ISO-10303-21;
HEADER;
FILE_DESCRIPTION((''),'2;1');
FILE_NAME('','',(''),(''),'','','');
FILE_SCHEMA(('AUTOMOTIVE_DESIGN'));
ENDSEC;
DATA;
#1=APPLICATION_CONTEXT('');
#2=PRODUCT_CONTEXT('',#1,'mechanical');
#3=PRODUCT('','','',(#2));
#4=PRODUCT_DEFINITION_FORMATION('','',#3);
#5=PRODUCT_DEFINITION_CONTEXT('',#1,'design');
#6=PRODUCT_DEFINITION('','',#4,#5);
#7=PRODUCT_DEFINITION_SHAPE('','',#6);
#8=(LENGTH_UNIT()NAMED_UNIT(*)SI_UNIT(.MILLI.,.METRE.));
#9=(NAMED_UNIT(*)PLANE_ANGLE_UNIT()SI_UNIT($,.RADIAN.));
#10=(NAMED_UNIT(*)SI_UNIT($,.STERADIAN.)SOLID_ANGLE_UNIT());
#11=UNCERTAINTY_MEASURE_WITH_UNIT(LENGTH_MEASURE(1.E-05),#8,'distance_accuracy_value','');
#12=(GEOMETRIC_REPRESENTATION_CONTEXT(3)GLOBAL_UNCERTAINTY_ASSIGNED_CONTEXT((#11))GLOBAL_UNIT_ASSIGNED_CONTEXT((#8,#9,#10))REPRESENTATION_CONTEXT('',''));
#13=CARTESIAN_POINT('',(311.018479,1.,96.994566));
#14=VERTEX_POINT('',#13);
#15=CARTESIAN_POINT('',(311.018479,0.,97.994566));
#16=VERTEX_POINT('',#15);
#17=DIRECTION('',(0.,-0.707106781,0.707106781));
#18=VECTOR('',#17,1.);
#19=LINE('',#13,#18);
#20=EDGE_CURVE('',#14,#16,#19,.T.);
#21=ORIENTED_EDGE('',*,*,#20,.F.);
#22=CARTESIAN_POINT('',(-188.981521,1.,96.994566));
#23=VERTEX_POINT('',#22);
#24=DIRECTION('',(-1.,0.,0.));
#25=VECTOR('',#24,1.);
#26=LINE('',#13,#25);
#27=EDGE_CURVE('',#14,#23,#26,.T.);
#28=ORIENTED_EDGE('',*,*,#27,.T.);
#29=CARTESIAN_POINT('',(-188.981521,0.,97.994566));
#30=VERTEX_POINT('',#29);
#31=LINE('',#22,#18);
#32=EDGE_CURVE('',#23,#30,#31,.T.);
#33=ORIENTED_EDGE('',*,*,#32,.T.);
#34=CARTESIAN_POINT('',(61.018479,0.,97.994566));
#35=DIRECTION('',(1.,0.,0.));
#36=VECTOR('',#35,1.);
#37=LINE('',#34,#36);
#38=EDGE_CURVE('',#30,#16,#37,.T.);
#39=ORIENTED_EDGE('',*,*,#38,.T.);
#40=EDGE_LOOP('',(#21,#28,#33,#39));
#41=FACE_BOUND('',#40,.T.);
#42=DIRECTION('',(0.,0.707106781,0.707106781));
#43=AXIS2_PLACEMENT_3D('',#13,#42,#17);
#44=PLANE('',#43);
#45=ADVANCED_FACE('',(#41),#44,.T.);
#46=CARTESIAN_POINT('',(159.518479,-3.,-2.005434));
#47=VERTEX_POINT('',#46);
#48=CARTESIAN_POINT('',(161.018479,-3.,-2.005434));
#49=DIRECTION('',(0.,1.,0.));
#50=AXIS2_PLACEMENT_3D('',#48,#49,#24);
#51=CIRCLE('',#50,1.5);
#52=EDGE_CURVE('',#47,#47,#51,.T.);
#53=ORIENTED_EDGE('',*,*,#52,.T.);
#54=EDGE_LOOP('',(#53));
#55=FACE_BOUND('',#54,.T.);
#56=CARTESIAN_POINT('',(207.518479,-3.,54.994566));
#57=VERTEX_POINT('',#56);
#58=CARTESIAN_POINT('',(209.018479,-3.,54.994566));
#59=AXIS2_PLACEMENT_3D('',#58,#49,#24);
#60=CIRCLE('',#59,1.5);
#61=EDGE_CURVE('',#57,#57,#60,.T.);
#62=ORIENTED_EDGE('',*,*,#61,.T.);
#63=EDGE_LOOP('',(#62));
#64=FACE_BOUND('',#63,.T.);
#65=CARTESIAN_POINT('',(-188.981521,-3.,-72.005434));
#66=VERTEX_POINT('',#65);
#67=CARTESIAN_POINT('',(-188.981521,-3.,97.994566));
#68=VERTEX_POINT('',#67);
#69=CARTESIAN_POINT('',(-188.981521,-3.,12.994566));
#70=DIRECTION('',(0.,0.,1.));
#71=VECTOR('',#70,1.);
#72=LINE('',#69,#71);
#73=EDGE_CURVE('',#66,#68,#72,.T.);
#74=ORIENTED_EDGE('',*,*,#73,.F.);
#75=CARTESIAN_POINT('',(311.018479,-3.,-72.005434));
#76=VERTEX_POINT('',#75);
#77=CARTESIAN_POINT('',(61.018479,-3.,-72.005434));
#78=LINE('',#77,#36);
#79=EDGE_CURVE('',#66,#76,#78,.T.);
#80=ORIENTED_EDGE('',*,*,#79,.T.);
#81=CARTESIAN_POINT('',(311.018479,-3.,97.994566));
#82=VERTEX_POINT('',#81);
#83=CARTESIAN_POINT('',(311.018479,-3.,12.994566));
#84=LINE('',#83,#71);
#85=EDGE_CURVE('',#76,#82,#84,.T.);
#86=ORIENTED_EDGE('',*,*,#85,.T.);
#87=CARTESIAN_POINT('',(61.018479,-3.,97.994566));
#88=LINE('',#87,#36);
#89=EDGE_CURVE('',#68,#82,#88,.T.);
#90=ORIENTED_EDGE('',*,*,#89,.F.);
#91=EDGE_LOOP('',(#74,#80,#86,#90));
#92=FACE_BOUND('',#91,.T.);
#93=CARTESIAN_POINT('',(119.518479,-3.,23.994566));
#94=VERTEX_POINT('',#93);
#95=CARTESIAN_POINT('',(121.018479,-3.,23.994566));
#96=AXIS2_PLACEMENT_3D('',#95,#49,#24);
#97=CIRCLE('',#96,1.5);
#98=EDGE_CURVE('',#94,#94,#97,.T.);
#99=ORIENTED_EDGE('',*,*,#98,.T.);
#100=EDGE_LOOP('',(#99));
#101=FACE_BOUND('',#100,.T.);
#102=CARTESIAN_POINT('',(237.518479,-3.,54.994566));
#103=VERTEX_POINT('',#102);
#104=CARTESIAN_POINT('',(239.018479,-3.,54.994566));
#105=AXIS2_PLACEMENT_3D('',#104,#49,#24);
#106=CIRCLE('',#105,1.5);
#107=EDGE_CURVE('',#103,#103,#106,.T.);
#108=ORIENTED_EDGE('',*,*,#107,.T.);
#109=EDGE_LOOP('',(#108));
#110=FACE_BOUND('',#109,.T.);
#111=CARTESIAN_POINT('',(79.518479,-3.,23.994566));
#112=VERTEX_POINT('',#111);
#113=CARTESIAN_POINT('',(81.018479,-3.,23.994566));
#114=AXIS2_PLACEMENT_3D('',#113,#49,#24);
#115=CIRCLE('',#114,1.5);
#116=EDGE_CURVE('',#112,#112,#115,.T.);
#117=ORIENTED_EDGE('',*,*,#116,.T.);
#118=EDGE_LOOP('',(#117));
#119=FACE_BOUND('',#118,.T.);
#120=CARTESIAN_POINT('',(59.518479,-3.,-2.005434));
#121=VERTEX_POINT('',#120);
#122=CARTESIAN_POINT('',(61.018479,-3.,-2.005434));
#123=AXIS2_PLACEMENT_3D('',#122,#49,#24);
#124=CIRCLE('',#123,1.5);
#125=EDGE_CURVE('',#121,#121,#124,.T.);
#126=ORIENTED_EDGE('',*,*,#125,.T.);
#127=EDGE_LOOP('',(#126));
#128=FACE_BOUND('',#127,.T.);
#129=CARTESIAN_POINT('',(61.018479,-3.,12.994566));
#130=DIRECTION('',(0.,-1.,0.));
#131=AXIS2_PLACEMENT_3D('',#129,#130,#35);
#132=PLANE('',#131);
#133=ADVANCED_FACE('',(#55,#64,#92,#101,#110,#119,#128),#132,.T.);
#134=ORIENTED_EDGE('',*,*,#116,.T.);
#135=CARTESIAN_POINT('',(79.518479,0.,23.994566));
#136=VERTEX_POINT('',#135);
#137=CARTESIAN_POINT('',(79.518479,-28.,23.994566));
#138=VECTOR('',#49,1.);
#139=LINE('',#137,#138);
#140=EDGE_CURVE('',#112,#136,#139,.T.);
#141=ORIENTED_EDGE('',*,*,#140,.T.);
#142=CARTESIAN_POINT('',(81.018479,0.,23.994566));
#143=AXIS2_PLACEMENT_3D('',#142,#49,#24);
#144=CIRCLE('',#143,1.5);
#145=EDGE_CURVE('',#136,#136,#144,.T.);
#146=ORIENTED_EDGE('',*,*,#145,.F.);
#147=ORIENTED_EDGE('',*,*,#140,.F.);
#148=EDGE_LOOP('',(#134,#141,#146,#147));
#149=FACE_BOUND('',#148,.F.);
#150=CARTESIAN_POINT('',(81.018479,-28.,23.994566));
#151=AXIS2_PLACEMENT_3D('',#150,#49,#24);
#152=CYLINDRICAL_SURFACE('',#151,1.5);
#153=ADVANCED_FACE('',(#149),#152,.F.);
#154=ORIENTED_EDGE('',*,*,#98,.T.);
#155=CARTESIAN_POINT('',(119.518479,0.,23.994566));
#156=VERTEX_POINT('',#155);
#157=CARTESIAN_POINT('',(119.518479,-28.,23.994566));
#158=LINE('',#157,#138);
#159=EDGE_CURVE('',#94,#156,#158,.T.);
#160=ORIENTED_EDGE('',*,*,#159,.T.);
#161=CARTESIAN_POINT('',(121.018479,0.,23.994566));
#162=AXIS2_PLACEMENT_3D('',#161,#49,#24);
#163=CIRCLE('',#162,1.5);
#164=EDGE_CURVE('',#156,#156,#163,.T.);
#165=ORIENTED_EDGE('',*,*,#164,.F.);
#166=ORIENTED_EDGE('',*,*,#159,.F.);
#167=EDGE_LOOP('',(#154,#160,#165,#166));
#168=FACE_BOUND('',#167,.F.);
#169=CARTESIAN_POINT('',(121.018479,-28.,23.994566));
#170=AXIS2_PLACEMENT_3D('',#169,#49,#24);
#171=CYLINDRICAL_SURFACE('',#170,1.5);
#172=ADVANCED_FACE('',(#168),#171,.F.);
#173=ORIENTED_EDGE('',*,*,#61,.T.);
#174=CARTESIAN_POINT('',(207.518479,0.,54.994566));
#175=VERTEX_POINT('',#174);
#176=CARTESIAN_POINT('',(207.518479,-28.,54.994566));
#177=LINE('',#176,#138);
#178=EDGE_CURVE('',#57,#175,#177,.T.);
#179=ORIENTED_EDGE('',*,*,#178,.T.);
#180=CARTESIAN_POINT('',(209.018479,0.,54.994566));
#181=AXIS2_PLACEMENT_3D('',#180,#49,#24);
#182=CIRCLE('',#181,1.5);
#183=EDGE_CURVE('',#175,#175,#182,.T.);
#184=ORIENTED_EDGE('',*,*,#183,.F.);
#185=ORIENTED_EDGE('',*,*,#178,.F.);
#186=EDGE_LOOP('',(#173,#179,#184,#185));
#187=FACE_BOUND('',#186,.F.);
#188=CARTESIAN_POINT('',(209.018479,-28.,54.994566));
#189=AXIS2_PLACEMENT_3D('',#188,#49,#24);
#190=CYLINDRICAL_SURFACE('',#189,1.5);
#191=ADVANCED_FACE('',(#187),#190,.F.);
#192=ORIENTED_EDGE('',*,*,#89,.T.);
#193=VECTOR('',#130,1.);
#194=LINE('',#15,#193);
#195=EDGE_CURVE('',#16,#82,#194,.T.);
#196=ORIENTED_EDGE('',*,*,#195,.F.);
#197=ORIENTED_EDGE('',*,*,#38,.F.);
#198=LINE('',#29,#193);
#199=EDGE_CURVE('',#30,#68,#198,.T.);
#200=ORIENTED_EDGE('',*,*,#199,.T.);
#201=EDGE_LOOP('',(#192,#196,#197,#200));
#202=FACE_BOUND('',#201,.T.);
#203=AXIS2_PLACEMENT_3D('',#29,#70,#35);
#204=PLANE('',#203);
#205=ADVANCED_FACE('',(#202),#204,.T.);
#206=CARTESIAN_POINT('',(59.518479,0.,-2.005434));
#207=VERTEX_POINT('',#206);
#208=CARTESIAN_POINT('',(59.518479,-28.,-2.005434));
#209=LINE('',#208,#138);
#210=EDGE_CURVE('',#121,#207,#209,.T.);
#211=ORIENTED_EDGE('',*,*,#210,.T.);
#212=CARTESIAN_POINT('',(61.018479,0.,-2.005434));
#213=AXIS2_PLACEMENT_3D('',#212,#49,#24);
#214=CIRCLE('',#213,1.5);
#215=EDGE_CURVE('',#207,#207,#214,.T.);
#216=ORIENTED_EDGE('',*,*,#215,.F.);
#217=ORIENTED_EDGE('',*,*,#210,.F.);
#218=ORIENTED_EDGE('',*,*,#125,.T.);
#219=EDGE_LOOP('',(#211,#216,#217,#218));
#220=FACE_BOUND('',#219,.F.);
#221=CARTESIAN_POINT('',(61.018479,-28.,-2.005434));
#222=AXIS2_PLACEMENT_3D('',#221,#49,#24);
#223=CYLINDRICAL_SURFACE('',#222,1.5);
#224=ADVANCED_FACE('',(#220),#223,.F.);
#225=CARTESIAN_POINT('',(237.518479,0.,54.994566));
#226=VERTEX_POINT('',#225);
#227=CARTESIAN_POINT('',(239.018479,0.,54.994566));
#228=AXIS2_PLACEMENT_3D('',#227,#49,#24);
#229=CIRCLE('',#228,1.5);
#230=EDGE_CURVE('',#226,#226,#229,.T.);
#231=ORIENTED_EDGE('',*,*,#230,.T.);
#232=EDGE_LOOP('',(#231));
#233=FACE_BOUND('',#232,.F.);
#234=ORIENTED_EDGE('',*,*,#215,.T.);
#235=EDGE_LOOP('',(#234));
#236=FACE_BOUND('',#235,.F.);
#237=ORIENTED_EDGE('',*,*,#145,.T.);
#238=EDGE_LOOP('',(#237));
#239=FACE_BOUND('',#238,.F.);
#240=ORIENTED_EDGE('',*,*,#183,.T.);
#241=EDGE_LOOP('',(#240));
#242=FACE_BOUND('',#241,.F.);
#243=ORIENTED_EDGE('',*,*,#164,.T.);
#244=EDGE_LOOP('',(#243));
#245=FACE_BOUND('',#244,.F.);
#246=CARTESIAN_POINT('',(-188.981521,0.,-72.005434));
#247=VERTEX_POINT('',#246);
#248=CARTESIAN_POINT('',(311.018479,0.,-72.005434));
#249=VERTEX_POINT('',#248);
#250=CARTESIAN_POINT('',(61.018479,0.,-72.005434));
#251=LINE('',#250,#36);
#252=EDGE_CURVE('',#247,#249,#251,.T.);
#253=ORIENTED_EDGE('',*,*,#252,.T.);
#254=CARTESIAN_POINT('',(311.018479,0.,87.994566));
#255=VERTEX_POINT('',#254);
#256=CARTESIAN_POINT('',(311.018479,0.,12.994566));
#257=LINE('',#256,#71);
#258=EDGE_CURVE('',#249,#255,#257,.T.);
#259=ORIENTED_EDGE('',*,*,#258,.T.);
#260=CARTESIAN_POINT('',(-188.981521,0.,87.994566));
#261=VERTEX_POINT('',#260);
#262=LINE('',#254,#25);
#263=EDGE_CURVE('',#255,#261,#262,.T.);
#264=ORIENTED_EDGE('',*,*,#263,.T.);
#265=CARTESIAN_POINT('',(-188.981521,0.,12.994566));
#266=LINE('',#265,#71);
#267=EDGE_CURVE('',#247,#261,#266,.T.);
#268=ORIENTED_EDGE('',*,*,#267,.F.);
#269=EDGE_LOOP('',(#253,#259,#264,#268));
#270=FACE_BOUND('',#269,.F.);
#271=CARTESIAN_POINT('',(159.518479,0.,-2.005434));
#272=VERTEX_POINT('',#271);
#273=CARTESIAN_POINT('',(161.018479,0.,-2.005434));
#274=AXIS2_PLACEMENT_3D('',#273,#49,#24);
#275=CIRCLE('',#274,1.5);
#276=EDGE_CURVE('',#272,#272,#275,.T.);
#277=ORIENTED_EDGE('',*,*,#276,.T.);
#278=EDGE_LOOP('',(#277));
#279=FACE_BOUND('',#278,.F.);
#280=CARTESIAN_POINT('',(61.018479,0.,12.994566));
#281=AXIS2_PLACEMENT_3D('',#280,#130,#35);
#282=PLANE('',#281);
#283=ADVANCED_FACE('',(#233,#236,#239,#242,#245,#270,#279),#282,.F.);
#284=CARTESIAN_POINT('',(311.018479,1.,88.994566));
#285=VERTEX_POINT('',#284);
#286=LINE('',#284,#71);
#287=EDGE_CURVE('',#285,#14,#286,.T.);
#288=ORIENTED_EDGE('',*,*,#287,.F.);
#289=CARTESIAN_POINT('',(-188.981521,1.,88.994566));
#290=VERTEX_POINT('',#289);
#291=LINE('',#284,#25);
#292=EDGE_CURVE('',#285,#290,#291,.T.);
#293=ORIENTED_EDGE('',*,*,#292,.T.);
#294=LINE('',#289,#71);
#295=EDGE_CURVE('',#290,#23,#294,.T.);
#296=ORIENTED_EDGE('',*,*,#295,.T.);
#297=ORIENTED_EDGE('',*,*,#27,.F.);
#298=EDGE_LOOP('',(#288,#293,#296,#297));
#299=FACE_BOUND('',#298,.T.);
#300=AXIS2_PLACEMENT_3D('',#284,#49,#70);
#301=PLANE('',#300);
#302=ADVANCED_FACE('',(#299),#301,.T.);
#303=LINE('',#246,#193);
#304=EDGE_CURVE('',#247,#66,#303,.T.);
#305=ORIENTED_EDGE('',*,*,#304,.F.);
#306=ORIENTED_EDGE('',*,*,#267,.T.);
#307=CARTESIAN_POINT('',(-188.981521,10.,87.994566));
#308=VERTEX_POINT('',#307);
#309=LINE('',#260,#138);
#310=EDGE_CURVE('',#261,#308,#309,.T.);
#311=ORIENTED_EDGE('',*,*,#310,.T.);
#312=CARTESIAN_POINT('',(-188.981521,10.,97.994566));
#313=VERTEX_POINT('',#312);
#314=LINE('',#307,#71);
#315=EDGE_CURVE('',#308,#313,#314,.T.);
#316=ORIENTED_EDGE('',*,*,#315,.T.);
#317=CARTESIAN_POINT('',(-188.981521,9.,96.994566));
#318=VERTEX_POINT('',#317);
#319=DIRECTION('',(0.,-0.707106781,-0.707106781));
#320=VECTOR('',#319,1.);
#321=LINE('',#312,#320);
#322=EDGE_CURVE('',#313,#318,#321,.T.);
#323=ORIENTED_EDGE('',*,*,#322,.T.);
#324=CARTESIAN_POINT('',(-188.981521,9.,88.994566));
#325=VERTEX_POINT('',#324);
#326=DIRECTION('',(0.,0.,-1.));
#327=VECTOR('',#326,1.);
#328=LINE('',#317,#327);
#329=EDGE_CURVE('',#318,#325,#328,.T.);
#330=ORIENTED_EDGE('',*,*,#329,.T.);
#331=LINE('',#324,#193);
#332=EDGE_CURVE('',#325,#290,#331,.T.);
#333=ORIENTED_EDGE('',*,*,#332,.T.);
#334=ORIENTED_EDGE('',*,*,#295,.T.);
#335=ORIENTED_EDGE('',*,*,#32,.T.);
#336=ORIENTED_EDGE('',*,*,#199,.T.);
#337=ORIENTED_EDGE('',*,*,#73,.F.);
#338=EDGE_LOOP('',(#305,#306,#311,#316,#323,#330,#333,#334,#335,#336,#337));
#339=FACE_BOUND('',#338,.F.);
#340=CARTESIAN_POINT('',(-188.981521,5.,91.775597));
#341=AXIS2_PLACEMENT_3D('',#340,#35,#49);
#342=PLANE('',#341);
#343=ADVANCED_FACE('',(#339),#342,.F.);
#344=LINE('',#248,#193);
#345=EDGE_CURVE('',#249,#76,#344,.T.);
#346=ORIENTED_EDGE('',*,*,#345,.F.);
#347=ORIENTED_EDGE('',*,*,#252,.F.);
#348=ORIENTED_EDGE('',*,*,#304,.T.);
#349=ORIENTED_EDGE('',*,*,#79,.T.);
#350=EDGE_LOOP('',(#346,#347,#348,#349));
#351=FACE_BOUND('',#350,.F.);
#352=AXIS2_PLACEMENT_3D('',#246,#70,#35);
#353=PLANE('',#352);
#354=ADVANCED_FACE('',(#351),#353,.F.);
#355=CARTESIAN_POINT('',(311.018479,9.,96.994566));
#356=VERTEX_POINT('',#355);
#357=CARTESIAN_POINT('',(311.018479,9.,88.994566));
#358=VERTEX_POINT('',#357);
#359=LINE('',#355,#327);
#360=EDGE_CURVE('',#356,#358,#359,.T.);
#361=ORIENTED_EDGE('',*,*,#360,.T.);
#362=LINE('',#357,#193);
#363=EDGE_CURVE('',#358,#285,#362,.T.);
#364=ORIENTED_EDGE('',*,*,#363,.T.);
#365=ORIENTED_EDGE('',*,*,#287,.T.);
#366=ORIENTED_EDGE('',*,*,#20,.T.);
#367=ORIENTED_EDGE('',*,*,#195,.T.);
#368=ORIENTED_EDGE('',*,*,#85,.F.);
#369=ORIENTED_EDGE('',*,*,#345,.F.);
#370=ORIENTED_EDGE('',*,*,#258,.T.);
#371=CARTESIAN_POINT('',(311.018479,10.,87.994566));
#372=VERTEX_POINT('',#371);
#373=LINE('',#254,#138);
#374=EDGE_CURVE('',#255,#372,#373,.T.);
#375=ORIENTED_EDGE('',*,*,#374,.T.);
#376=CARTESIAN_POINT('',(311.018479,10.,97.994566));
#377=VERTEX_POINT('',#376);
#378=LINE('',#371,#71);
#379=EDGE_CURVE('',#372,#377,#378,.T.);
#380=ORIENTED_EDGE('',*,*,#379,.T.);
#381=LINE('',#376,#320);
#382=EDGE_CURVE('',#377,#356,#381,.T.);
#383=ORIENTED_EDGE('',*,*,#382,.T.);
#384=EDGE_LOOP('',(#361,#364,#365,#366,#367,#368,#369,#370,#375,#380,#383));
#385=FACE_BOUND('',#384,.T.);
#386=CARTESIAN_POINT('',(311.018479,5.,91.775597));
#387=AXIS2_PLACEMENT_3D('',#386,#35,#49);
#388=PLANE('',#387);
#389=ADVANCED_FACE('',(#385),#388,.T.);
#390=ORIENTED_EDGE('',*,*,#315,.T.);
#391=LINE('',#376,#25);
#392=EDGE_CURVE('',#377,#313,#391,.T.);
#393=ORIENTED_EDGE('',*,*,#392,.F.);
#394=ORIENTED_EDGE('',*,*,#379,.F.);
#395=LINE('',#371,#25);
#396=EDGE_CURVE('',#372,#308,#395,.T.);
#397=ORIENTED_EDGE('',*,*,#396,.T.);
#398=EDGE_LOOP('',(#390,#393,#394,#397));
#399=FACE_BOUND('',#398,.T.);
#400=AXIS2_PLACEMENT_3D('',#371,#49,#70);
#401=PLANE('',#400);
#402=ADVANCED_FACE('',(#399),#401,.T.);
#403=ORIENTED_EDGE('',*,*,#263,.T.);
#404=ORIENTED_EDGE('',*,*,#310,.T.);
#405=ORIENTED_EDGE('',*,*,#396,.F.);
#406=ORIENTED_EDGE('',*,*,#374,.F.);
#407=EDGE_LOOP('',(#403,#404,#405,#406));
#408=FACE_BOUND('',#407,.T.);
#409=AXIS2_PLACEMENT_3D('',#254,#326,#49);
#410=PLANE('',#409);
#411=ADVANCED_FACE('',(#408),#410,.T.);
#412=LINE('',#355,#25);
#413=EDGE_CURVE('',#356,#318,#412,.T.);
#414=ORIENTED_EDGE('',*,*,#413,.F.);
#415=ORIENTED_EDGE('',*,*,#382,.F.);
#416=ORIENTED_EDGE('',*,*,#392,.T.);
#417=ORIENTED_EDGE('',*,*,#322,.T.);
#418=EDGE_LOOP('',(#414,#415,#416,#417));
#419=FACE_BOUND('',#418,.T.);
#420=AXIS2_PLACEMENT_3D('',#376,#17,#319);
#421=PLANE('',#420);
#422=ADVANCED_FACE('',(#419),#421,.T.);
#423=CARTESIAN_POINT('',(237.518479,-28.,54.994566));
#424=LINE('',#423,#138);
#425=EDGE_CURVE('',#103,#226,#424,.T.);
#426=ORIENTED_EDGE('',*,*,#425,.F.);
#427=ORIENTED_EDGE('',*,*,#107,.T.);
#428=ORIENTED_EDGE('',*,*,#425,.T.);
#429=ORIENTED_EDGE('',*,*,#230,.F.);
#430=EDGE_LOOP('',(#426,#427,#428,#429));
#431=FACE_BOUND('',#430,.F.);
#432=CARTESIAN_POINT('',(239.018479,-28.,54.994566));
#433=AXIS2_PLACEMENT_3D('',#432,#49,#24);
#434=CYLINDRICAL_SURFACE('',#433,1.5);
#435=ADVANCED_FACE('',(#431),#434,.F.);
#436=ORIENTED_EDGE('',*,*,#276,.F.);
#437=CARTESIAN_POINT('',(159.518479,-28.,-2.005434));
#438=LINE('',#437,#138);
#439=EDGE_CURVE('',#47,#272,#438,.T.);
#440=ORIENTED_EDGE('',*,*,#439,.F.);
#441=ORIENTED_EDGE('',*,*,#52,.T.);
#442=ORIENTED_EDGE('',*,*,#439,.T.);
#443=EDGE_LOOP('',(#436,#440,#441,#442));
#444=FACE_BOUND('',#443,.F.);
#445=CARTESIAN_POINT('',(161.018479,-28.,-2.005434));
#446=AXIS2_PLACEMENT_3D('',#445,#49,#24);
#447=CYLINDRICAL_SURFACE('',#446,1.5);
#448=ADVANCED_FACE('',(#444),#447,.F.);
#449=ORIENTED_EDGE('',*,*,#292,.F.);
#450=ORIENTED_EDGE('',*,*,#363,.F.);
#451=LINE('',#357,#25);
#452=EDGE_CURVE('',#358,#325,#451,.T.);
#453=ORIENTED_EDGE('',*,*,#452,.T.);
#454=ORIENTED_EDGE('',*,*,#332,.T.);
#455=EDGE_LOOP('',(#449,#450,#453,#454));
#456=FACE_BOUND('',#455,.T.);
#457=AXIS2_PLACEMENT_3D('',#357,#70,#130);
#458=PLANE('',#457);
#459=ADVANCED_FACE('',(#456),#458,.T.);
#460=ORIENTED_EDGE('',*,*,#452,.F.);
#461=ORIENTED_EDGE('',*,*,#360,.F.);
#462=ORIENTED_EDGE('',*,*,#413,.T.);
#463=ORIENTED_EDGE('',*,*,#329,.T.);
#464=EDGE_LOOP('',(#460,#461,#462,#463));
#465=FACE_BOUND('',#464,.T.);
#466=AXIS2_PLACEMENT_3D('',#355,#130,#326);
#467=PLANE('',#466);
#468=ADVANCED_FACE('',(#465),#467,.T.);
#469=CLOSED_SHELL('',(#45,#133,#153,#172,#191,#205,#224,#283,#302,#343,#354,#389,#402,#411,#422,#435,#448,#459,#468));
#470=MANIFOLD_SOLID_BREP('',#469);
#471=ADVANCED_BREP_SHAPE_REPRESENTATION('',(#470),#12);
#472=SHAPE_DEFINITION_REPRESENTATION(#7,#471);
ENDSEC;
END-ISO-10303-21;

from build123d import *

# Parameters (mm, degrees)
F0_W     = 500
F0_H     = 170
F1_DEPTH = 3
F3_DEPTH = 500
F5_D     = 3
F5_DEPTH = 25


with BuildPart() as f1:
    # F0 (on Front) → F1 (new body)
    with BuildSketch(Plane.XZ):
        with Locations((61.018479, 12.994566)):
            Rectangle(F0_W, F0_H)
    extrude(amount=F1_DEPTH)

    # F2 (on face) → F3 (join, through all)
    with BuildSketch(Plane.YZ.offset(311.018479)):
        Polygon((0, 97.994566), (0, 87.994566), (10, 87.994566), (10, 97.994566), (9, 96.994566), (9, 88.994566), (1, 88.994566), (1, 96.994566), align=None)
    extrude(amount=-F3_DEPTH)

    # F5
    with Locations(Plane.XZ.offset(3)):
        with Locations((61.018479, -2.005434), (81.018479, 23.994566), (121.018479, 23.994566), (161.018479, -2.005434), (209.018479, 54.994566), (239.018479, 54.994566)):
            Hole(F5_D / 2, depth=F5_DEPTH)


solid = f1.part
